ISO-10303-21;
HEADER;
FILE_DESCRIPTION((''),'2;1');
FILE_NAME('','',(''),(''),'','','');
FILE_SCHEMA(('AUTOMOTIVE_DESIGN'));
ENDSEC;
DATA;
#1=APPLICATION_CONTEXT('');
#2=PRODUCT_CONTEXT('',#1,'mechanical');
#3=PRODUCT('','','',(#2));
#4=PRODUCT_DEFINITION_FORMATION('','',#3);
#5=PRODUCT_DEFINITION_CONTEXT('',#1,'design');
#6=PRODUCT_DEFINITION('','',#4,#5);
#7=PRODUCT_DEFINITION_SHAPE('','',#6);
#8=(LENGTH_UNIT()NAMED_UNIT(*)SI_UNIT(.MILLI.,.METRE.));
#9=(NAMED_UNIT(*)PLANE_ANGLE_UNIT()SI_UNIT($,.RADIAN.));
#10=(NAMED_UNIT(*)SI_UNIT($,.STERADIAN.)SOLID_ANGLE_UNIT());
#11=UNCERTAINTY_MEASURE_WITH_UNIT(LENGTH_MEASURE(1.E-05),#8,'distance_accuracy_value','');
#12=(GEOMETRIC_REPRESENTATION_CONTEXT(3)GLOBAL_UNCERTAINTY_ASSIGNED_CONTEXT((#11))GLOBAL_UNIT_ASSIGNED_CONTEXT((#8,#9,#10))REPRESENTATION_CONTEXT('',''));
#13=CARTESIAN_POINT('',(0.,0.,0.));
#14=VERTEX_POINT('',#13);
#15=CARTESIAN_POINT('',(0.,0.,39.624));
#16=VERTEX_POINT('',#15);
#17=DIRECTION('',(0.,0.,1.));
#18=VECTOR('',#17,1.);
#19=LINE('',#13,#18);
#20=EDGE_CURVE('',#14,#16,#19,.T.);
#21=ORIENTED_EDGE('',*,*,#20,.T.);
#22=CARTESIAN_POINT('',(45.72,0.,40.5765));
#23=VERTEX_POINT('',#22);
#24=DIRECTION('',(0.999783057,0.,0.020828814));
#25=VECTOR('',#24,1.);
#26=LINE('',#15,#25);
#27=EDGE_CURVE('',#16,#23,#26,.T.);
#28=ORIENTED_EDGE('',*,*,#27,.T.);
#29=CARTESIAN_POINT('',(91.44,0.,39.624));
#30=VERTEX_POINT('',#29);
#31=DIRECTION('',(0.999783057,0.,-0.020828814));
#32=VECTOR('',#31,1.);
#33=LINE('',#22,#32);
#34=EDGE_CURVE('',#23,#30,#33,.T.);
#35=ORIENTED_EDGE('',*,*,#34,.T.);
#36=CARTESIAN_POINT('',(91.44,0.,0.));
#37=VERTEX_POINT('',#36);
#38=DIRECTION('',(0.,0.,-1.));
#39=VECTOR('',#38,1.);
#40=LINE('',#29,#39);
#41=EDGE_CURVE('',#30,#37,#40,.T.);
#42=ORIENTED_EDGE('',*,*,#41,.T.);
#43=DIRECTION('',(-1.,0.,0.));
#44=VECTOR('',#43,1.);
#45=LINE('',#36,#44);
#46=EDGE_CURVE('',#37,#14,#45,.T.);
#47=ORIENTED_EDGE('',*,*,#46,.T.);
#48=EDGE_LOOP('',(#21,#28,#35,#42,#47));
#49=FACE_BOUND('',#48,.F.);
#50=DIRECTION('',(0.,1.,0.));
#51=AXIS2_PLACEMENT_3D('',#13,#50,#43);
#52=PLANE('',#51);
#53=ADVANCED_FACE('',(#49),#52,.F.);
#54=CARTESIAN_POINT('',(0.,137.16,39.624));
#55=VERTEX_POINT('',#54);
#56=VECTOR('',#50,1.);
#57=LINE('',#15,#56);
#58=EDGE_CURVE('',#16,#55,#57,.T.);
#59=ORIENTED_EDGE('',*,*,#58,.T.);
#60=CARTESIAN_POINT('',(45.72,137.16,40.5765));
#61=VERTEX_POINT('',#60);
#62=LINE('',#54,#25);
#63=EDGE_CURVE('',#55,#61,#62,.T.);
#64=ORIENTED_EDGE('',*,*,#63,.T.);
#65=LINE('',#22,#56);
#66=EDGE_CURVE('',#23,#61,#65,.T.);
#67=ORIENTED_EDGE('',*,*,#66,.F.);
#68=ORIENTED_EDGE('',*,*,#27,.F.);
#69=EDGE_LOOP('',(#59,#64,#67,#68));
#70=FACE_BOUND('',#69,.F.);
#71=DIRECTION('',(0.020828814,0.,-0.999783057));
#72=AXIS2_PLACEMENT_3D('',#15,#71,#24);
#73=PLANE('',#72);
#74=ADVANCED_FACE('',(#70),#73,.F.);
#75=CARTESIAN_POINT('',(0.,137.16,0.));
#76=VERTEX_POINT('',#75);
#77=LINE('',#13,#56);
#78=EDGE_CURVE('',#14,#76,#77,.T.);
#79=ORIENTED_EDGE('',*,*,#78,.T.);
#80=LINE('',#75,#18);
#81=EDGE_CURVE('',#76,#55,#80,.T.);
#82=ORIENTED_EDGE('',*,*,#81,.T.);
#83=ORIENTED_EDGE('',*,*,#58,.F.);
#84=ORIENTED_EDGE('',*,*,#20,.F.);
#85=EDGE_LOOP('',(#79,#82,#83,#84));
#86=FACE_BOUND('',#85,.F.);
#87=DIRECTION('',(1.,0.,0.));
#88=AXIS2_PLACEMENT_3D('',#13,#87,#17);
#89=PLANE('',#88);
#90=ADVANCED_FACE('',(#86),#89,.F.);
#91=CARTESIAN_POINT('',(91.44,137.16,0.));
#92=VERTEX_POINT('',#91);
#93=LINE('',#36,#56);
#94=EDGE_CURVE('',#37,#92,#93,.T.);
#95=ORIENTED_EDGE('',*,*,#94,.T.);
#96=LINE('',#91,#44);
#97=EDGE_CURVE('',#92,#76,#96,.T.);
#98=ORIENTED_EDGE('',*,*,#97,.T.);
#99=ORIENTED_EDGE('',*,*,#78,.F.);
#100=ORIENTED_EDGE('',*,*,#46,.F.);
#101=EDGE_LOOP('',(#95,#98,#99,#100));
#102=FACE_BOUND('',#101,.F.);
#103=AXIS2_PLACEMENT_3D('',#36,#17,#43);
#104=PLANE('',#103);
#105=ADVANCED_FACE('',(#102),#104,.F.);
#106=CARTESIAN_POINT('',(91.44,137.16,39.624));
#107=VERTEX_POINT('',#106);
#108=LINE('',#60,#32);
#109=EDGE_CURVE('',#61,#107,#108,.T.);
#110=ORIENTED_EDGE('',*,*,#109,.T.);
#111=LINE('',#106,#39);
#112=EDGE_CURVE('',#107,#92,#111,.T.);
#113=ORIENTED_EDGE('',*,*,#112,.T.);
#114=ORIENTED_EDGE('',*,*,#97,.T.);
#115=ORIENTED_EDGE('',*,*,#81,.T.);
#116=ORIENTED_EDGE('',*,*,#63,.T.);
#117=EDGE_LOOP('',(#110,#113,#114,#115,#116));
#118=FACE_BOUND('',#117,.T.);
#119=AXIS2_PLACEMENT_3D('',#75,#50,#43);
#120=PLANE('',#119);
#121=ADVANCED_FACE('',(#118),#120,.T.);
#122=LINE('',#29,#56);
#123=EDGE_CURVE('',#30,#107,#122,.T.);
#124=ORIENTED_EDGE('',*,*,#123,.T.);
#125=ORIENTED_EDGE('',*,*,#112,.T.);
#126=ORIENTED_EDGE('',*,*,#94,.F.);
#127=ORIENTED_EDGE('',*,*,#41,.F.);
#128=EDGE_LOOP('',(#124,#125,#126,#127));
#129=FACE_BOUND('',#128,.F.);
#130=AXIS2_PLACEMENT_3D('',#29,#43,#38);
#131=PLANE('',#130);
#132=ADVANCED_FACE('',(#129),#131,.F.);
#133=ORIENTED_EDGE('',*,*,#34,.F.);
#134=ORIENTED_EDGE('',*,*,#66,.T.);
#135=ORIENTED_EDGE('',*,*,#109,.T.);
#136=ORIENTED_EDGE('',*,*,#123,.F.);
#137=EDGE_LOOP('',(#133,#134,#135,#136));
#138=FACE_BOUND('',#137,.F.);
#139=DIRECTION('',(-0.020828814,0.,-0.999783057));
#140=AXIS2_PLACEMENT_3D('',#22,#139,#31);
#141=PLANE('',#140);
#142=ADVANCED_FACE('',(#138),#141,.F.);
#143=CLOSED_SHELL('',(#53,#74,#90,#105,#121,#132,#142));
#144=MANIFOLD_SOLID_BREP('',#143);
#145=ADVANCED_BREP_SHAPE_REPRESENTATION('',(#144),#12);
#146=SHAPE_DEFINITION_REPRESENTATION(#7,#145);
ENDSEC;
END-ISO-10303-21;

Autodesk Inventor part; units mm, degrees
ref_plane "YZ Plane" through (0, 0, 0) normal (1, 0, 0) x (0, 1, 0)
ref_plane "XZ Plane" through (0, 0, 0) normal (0, 1, 0) x (-1, 0, 0)
ref_plane "XY Plane" through (0, 0, 0) normal (0, 0, 1) x (1, 0, 0)
sketch "Sketch1" plane through (0, 0, 0) normal (0, 1, 0) x (-1, 0, 0)
  line L0 (0, 0) -> (0, 39.624)
  line L1 (0, 39.624) -> (-45.72, 40.5765)
  line L2 (-45.72, 40.5765) -> (-91.44, 39.624)
  line L3 (-91.44, 39.624) -> (-91.44, 0)
  line L4 (-91.44, 0) -> (0, 0)
  dimension "d0" = 91.44
  dimension "d1" = 39.624
  dimension "d2" = 39.624
  dimension "d3" = 45.72
  dimension "d4" = 40.5765
extrude "Extrusion1" add sketch "Sketch1" along normal blind 137.16
properties part number "UWO-BLT-SS20-Test7"
